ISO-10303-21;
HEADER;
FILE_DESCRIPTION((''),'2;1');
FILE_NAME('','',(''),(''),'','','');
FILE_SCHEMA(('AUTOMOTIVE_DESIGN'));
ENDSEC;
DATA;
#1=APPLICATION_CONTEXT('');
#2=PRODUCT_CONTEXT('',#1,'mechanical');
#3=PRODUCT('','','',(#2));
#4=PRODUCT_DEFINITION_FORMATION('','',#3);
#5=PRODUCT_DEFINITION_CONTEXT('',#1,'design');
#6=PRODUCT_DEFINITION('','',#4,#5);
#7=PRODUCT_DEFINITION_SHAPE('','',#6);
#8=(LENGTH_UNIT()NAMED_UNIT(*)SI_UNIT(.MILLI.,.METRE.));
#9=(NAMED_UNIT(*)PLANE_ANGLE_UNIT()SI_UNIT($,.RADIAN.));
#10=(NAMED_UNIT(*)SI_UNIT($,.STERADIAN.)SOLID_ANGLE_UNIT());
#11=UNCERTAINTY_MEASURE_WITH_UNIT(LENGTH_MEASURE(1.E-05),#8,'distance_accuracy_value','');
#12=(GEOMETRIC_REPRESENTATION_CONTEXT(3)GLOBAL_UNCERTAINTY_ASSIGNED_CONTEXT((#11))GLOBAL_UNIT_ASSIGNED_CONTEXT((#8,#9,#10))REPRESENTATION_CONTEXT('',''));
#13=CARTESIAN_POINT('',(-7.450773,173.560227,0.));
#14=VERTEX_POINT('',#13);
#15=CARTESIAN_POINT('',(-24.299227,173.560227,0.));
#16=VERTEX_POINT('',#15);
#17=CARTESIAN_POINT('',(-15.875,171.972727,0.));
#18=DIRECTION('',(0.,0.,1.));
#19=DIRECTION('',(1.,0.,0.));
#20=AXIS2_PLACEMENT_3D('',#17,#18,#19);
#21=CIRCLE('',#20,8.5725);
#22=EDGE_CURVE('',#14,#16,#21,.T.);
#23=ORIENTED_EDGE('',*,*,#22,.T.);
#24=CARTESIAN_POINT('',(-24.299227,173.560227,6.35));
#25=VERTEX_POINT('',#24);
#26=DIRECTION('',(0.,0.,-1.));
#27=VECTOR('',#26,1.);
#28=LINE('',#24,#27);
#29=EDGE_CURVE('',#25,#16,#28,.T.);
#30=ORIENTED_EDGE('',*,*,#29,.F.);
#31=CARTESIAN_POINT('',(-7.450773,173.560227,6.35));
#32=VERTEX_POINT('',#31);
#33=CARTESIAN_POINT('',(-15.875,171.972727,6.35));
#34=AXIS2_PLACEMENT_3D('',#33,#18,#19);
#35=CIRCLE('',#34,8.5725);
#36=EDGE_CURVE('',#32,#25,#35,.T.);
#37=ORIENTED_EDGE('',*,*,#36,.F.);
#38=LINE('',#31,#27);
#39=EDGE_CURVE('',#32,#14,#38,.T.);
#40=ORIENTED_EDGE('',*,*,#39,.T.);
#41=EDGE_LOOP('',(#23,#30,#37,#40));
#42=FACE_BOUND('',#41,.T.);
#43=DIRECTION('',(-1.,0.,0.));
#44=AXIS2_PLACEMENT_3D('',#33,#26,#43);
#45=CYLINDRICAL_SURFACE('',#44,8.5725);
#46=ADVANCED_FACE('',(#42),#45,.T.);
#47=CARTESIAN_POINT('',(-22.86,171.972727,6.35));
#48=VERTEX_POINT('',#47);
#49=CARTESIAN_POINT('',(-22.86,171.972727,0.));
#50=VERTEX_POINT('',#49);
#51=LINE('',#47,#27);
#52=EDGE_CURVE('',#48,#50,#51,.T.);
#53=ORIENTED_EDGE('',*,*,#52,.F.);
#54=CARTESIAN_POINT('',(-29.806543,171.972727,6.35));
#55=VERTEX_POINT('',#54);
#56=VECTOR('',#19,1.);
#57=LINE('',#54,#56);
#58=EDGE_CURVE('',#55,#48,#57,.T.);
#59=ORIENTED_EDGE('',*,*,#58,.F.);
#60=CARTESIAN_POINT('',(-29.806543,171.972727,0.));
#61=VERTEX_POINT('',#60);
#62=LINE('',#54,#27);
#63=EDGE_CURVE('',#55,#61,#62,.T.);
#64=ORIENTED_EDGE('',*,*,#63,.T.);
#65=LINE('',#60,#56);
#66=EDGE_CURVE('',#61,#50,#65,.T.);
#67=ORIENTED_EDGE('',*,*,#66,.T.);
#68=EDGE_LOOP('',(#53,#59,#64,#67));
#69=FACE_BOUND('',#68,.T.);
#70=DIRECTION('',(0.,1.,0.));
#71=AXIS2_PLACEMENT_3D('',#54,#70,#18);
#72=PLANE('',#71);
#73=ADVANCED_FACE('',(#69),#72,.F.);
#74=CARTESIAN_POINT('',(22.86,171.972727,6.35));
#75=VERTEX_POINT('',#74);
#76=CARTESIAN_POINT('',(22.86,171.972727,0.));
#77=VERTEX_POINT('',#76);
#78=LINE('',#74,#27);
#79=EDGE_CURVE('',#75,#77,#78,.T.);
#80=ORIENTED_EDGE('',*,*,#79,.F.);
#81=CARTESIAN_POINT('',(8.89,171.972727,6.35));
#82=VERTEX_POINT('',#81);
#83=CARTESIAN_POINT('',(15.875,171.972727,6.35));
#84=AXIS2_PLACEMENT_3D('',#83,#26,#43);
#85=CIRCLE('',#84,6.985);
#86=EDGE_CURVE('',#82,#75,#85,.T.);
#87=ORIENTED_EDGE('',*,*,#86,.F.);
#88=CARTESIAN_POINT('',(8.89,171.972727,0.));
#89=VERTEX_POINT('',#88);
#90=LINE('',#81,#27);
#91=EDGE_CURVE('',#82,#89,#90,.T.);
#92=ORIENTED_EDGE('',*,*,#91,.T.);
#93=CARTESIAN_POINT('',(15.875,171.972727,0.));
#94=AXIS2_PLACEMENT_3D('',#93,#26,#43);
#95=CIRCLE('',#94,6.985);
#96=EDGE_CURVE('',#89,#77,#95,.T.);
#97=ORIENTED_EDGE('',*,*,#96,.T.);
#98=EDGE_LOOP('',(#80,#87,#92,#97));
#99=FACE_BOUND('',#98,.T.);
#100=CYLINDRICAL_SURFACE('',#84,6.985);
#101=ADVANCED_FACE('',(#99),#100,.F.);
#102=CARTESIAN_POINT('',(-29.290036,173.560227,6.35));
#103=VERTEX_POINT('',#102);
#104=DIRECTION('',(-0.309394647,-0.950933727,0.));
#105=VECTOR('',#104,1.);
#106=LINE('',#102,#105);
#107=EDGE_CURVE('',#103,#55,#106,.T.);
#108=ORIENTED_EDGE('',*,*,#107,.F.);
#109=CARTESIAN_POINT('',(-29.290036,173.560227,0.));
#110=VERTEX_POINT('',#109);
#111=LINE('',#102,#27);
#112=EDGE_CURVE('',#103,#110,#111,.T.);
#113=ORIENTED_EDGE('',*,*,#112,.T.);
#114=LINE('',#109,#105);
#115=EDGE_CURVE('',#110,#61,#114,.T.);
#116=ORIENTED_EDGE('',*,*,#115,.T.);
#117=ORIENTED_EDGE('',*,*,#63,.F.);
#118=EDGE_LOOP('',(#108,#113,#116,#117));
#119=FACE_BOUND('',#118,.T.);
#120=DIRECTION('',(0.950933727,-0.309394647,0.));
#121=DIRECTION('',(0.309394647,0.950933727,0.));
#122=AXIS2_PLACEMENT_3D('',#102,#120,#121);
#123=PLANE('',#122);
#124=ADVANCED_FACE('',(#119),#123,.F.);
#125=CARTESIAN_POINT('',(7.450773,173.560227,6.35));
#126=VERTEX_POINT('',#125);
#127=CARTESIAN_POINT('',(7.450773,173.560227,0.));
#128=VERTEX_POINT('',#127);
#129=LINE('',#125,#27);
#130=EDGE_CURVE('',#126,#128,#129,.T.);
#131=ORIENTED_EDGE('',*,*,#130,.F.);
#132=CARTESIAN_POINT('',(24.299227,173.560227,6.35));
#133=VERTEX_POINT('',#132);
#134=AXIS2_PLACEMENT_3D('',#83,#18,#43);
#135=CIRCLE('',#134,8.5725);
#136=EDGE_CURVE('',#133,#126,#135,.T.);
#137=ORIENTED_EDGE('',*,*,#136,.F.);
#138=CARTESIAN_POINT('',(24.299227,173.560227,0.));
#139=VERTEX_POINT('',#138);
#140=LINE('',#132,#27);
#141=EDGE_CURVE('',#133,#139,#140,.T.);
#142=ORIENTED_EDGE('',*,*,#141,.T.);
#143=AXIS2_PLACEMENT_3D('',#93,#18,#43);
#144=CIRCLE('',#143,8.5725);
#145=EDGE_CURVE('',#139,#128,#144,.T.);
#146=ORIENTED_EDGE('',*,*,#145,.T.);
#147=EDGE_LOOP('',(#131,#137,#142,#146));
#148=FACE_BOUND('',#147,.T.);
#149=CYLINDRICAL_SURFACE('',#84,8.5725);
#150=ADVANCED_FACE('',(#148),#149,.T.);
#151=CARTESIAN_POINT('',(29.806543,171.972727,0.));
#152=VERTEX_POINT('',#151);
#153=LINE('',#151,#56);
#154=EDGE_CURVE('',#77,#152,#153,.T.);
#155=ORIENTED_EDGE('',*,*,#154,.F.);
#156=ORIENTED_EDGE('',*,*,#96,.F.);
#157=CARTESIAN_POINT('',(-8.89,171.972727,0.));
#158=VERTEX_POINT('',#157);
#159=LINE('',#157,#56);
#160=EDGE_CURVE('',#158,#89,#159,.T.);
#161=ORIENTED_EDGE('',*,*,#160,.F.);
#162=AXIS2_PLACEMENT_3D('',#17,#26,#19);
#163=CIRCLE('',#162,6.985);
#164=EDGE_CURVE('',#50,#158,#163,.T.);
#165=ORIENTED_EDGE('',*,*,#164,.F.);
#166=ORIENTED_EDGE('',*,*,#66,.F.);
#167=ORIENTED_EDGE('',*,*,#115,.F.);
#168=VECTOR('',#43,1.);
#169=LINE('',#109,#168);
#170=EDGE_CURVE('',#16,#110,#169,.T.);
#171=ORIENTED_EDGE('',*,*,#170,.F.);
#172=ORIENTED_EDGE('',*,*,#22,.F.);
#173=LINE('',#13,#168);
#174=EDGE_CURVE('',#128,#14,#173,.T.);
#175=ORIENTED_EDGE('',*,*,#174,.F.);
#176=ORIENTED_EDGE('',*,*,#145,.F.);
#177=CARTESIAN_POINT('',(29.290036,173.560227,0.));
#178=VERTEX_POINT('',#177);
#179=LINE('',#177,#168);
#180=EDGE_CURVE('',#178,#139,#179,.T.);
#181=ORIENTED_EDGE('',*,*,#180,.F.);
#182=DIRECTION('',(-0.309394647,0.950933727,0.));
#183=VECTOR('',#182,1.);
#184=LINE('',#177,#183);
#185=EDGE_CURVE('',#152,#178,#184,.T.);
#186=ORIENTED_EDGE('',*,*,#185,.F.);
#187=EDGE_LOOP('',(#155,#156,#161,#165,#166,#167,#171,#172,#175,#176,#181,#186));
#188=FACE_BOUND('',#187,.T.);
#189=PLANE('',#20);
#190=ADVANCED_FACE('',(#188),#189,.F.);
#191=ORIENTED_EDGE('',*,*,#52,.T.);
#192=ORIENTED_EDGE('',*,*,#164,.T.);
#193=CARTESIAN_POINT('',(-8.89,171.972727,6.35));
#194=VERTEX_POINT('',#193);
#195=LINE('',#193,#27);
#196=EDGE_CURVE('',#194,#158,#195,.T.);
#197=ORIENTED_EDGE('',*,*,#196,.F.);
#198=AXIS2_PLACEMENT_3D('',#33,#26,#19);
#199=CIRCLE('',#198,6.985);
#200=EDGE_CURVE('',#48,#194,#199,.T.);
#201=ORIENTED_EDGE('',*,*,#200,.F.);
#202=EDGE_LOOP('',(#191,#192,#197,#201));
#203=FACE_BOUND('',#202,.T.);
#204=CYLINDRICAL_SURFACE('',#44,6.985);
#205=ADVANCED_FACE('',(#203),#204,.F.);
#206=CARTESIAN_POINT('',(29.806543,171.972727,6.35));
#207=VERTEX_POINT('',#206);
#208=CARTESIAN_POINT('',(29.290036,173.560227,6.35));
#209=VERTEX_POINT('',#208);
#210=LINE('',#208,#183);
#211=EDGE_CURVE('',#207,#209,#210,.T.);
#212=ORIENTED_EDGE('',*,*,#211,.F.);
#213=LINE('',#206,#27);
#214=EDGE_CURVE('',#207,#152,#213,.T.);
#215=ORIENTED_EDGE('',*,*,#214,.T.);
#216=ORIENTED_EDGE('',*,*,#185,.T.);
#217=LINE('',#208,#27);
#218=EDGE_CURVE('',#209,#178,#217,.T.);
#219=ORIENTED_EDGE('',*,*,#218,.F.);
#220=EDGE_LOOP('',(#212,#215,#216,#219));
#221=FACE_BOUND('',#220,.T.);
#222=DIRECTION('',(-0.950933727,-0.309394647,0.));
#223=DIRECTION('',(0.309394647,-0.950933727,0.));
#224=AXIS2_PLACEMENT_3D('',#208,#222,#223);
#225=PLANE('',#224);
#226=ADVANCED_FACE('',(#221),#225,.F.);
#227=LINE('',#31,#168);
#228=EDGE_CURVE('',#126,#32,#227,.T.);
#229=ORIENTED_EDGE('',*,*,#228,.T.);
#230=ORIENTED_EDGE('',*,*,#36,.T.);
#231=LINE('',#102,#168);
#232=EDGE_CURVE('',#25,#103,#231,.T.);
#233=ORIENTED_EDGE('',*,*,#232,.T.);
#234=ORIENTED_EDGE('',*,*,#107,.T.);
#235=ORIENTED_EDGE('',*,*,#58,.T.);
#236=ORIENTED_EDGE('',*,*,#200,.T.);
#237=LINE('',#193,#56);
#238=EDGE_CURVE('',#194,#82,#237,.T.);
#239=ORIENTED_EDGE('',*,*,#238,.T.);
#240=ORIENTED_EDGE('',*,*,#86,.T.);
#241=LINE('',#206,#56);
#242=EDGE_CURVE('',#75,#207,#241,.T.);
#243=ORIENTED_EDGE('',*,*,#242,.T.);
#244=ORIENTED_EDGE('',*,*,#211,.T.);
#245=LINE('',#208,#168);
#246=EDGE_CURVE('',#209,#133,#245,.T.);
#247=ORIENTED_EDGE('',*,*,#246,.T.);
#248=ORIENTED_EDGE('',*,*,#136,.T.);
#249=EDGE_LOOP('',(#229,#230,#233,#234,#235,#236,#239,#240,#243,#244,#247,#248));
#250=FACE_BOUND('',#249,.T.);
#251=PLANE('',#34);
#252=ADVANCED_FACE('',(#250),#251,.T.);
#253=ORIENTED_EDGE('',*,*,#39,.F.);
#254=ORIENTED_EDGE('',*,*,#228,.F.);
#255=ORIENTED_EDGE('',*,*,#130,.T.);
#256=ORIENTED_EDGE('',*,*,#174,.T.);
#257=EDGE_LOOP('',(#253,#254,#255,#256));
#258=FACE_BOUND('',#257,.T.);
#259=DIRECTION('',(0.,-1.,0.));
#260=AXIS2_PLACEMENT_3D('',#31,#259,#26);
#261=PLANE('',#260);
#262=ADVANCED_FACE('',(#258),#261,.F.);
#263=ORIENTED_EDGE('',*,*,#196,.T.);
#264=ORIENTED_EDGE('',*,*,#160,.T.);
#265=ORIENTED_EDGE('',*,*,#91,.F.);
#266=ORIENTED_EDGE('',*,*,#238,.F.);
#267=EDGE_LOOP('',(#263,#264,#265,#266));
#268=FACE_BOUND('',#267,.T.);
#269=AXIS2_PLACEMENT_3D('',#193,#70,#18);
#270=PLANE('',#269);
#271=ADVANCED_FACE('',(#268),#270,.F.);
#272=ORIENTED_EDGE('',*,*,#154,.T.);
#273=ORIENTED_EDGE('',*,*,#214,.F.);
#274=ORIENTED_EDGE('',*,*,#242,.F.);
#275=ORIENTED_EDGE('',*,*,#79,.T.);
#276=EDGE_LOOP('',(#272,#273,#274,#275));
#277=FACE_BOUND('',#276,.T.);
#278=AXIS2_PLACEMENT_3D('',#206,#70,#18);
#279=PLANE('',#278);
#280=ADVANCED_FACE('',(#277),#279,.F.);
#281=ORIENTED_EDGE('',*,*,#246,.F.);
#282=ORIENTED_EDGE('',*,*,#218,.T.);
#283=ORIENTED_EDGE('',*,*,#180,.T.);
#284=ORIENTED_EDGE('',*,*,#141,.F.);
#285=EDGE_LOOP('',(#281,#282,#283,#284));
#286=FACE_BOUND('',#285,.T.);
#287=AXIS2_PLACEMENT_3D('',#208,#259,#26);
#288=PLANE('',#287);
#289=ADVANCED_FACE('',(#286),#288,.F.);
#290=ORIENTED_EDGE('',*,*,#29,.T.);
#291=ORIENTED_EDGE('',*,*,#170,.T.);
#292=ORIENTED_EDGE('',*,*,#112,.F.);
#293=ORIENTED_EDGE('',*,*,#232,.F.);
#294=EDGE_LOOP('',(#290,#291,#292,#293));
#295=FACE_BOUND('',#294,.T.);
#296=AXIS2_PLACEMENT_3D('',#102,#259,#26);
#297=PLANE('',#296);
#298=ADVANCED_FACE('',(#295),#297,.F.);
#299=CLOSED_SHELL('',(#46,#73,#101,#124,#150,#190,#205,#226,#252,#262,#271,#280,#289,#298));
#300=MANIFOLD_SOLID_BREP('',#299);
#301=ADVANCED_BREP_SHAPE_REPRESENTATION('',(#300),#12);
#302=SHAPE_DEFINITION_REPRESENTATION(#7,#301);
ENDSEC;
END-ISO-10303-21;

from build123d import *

# Parameters (mm, degrees)
BOSS_EXTRUDE2_DEPTH = 6.35


with BuildPart() as part:
    # Sketch1 → Boss-Extrude2 (new body)
    with BuildSketch(Plane.XY):
        with BuildLine():
            Line((-29.806543337, 171.972726708), (-22.86, 171.972726708))
            ThreePointArc((-22.86, 171.972726708), (-15.875, 178.957726708), (-8.89, 171.972726708))
            Line((-8.89, 171.972726708), (8.89, 171.972726708))
            ThreePointArc((8.89, 171.972726708), (15.875, 178.957726708), (22.86, 171.972726708))
            Line((22.86, 171.972726708), (29.806543337, 171.972726708))
            Line((29.806543337, 171.972726708), (29.290036257, 173.560226708))
            Line((29.290036257, 173.560226708), (24.299226968, 173.560226708))
            ThreePointArc((24.299226968, 173.560226708), (15.875, 180.545226708), (7.450773032, 173.560226708))
            Line((7.450773032, 173.560226708), (-7.450773032, 173.560226708))
            ThreePointArc((-7.450773032, 173.560226708), (-15.875, 180.545226708), (-24.299226968, 173.560226708))
            Line((-24.299226968, 173.560226708), (-29.290036257, 173.560226708))
            Line((-29.290036257, 173.560226708), (-29.806543337, 171.972726708))
        make_face()
    extrude(amount=BOSS_EXTRUDE2_DEPTH)


solid = part.part
